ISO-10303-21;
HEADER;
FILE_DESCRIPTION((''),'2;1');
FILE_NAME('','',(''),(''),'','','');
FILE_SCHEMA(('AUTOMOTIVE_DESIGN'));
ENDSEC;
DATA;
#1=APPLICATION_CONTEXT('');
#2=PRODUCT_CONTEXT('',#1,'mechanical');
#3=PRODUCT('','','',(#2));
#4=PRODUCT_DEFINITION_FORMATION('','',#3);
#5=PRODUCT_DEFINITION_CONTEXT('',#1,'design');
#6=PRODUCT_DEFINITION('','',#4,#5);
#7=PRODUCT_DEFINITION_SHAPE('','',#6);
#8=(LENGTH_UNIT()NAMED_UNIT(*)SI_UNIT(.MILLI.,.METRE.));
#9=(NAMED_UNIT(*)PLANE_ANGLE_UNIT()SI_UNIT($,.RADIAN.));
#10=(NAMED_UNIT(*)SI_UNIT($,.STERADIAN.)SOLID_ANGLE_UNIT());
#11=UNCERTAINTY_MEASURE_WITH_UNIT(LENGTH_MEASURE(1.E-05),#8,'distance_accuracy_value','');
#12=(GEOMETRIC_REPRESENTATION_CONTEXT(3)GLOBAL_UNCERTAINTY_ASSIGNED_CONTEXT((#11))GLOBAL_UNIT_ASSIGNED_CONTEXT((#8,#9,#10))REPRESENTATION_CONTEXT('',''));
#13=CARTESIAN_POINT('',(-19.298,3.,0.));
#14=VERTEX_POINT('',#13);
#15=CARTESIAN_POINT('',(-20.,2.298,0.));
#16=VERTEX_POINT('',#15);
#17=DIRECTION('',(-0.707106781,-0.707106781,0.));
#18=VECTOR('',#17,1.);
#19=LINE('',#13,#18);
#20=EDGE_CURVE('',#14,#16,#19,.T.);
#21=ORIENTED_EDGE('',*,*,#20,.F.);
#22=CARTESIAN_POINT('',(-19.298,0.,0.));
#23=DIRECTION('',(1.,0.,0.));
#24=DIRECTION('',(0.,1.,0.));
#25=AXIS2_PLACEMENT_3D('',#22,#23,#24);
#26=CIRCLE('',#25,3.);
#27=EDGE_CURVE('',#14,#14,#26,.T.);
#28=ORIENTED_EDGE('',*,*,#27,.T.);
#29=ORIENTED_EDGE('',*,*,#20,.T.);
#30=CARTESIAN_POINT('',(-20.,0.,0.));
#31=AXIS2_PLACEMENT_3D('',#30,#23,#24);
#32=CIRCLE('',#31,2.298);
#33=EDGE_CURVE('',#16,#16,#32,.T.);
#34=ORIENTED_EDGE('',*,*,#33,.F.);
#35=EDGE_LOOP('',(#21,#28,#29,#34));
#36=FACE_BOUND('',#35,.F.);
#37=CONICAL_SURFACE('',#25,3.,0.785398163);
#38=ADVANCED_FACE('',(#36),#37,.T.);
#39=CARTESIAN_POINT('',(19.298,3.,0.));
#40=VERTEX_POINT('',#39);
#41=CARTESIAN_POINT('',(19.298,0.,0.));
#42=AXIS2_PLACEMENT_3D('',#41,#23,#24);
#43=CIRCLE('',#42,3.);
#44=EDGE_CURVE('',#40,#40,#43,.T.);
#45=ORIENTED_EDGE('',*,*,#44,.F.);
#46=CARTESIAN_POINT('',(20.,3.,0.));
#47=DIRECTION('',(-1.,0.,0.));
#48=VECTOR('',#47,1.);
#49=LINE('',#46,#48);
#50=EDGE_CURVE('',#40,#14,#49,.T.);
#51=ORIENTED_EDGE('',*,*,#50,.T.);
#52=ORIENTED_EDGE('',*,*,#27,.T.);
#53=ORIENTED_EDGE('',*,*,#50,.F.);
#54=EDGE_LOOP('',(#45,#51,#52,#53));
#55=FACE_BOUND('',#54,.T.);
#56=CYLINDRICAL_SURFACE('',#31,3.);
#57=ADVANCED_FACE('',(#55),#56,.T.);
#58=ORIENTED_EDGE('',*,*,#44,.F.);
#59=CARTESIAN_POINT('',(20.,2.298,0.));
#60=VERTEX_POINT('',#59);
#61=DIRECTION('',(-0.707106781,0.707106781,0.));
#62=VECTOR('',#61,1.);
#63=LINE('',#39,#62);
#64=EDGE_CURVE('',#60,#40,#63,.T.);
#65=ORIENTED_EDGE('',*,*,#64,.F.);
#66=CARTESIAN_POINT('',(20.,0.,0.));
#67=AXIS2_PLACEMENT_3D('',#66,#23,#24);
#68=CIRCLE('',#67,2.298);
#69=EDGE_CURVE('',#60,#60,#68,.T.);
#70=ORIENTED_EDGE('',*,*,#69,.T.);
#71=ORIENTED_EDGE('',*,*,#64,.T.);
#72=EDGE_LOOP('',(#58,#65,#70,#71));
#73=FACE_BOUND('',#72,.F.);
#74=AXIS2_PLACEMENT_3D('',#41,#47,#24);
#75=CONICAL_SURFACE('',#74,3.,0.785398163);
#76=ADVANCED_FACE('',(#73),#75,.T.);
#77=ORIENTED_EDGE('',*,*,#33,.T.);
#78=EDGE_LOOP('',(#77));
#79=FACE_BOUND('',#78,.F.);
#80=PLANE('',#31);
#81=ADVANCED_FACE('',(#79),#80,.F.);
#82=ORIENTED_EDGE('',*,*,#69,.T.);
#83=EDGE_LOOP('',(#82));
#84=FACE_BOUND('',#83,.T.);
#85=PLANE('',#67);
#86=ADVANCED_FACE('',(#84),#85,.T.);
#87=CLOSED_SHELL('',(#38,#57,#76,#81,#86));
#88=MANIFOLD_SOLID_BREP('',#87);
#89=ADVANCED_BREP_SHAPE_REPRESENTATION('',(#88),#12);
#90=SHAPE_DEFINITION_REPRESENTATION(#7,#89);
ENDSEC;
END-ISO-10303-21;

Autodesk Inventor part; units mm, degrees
ref_plane "YZ Plane" through (0, 0, 0) normal (1, 0, 0) x (0, 1, 0)
ref_plane "XZ Plane" through (0, 0, 0) normal (0, 1, 0) x (-1, 0, 0)
sketch "Schizzo1" plane through (0, 0, 0) normal (0, 0, 1) x (1, 0, 0)
  line L0 (20, 3) -> (20, 0)
  line L1 (-20, 0) -> (20, 0)
  line L2 (-28, 0) -> (28, 0) projected
  line L3 (0, 3.6) -> (0, -0.6) projected
  line L4 (-20, 3) -> (-20, 0)
  line L5 (0, 3) -> (0, 0) construction
  line L6 (-28, 0) -> (28, 0) projected
  line L7 (-20, 3) -> (20, 3)
  dimension "d13" = 6
  dimension "d87" = 40
  dimension "d88" = 20
revolve "Corpo" add sketch "Schizzo1" angle 360 about axis through (-20, 0, 0) along (1, 0, 0)
thread "Filettatura1" size "M6x1" class "6g" standard "ISO Metric profile" length 40
chamfer "Smusso1" distance 0.702 angle 45 1 edges at (20, -3, 0) measured on face at (6.6667, 2.9612, -0.4812)
chamfer "Smusso2" distance 0.702 angle 45 1 edges at (-20, -3, 0) measured on face at (6.1987, 2.9903, -0.2414)
ref_plane "Work Plane1" through (2.75, 0, 0) normal (0, -1, 0) x (1, 0, 0)
equation "\"d13\" = NND"
equation "\"d87\" = NLG"
equation "\"d88\" = 0.5 * NLG"
equation "\"d1\" = GEL"
equation "\"d9\" = -0.5 * SPD + 0.5 * NND"
equation "\"d10\" = -0.5 * SPD + 0.5 * NND"
equation "\"d11\" = -0.5 * SPD + 0.5 * NND"
equation "\"d12\" = -0.5 * SPD + 0.5 * NND"
equation "\"NLG\" = 40"
equation "\"GEL\" = NLG"
equation "\"GAL\" = 0.61345 * PTC"
equation "\"SPD\" = 4.596"
equation "\"d0\" = NND"
equation "\"GUL\" = 0.61345 * PTC"
equation "\"NND\" = 6"
equation "\"GUL1\" = GUL"
equation "\"GAL1\" = GAL"
equation "\"d80\" = -GUL - GEL"
equation "\"d86\" = -GEL + GUL1"
equation "\"PTC\" = 1"
equation "\"THREADDIA\" = 6"
equation "\"TOA\" = 30deg"
equation "\"GD1\" = THREADDIA - 1.2269 * PTC"
properties part number "DIN 976-1 - M6 x 40 - B" material "Acciaio, Dolce"
